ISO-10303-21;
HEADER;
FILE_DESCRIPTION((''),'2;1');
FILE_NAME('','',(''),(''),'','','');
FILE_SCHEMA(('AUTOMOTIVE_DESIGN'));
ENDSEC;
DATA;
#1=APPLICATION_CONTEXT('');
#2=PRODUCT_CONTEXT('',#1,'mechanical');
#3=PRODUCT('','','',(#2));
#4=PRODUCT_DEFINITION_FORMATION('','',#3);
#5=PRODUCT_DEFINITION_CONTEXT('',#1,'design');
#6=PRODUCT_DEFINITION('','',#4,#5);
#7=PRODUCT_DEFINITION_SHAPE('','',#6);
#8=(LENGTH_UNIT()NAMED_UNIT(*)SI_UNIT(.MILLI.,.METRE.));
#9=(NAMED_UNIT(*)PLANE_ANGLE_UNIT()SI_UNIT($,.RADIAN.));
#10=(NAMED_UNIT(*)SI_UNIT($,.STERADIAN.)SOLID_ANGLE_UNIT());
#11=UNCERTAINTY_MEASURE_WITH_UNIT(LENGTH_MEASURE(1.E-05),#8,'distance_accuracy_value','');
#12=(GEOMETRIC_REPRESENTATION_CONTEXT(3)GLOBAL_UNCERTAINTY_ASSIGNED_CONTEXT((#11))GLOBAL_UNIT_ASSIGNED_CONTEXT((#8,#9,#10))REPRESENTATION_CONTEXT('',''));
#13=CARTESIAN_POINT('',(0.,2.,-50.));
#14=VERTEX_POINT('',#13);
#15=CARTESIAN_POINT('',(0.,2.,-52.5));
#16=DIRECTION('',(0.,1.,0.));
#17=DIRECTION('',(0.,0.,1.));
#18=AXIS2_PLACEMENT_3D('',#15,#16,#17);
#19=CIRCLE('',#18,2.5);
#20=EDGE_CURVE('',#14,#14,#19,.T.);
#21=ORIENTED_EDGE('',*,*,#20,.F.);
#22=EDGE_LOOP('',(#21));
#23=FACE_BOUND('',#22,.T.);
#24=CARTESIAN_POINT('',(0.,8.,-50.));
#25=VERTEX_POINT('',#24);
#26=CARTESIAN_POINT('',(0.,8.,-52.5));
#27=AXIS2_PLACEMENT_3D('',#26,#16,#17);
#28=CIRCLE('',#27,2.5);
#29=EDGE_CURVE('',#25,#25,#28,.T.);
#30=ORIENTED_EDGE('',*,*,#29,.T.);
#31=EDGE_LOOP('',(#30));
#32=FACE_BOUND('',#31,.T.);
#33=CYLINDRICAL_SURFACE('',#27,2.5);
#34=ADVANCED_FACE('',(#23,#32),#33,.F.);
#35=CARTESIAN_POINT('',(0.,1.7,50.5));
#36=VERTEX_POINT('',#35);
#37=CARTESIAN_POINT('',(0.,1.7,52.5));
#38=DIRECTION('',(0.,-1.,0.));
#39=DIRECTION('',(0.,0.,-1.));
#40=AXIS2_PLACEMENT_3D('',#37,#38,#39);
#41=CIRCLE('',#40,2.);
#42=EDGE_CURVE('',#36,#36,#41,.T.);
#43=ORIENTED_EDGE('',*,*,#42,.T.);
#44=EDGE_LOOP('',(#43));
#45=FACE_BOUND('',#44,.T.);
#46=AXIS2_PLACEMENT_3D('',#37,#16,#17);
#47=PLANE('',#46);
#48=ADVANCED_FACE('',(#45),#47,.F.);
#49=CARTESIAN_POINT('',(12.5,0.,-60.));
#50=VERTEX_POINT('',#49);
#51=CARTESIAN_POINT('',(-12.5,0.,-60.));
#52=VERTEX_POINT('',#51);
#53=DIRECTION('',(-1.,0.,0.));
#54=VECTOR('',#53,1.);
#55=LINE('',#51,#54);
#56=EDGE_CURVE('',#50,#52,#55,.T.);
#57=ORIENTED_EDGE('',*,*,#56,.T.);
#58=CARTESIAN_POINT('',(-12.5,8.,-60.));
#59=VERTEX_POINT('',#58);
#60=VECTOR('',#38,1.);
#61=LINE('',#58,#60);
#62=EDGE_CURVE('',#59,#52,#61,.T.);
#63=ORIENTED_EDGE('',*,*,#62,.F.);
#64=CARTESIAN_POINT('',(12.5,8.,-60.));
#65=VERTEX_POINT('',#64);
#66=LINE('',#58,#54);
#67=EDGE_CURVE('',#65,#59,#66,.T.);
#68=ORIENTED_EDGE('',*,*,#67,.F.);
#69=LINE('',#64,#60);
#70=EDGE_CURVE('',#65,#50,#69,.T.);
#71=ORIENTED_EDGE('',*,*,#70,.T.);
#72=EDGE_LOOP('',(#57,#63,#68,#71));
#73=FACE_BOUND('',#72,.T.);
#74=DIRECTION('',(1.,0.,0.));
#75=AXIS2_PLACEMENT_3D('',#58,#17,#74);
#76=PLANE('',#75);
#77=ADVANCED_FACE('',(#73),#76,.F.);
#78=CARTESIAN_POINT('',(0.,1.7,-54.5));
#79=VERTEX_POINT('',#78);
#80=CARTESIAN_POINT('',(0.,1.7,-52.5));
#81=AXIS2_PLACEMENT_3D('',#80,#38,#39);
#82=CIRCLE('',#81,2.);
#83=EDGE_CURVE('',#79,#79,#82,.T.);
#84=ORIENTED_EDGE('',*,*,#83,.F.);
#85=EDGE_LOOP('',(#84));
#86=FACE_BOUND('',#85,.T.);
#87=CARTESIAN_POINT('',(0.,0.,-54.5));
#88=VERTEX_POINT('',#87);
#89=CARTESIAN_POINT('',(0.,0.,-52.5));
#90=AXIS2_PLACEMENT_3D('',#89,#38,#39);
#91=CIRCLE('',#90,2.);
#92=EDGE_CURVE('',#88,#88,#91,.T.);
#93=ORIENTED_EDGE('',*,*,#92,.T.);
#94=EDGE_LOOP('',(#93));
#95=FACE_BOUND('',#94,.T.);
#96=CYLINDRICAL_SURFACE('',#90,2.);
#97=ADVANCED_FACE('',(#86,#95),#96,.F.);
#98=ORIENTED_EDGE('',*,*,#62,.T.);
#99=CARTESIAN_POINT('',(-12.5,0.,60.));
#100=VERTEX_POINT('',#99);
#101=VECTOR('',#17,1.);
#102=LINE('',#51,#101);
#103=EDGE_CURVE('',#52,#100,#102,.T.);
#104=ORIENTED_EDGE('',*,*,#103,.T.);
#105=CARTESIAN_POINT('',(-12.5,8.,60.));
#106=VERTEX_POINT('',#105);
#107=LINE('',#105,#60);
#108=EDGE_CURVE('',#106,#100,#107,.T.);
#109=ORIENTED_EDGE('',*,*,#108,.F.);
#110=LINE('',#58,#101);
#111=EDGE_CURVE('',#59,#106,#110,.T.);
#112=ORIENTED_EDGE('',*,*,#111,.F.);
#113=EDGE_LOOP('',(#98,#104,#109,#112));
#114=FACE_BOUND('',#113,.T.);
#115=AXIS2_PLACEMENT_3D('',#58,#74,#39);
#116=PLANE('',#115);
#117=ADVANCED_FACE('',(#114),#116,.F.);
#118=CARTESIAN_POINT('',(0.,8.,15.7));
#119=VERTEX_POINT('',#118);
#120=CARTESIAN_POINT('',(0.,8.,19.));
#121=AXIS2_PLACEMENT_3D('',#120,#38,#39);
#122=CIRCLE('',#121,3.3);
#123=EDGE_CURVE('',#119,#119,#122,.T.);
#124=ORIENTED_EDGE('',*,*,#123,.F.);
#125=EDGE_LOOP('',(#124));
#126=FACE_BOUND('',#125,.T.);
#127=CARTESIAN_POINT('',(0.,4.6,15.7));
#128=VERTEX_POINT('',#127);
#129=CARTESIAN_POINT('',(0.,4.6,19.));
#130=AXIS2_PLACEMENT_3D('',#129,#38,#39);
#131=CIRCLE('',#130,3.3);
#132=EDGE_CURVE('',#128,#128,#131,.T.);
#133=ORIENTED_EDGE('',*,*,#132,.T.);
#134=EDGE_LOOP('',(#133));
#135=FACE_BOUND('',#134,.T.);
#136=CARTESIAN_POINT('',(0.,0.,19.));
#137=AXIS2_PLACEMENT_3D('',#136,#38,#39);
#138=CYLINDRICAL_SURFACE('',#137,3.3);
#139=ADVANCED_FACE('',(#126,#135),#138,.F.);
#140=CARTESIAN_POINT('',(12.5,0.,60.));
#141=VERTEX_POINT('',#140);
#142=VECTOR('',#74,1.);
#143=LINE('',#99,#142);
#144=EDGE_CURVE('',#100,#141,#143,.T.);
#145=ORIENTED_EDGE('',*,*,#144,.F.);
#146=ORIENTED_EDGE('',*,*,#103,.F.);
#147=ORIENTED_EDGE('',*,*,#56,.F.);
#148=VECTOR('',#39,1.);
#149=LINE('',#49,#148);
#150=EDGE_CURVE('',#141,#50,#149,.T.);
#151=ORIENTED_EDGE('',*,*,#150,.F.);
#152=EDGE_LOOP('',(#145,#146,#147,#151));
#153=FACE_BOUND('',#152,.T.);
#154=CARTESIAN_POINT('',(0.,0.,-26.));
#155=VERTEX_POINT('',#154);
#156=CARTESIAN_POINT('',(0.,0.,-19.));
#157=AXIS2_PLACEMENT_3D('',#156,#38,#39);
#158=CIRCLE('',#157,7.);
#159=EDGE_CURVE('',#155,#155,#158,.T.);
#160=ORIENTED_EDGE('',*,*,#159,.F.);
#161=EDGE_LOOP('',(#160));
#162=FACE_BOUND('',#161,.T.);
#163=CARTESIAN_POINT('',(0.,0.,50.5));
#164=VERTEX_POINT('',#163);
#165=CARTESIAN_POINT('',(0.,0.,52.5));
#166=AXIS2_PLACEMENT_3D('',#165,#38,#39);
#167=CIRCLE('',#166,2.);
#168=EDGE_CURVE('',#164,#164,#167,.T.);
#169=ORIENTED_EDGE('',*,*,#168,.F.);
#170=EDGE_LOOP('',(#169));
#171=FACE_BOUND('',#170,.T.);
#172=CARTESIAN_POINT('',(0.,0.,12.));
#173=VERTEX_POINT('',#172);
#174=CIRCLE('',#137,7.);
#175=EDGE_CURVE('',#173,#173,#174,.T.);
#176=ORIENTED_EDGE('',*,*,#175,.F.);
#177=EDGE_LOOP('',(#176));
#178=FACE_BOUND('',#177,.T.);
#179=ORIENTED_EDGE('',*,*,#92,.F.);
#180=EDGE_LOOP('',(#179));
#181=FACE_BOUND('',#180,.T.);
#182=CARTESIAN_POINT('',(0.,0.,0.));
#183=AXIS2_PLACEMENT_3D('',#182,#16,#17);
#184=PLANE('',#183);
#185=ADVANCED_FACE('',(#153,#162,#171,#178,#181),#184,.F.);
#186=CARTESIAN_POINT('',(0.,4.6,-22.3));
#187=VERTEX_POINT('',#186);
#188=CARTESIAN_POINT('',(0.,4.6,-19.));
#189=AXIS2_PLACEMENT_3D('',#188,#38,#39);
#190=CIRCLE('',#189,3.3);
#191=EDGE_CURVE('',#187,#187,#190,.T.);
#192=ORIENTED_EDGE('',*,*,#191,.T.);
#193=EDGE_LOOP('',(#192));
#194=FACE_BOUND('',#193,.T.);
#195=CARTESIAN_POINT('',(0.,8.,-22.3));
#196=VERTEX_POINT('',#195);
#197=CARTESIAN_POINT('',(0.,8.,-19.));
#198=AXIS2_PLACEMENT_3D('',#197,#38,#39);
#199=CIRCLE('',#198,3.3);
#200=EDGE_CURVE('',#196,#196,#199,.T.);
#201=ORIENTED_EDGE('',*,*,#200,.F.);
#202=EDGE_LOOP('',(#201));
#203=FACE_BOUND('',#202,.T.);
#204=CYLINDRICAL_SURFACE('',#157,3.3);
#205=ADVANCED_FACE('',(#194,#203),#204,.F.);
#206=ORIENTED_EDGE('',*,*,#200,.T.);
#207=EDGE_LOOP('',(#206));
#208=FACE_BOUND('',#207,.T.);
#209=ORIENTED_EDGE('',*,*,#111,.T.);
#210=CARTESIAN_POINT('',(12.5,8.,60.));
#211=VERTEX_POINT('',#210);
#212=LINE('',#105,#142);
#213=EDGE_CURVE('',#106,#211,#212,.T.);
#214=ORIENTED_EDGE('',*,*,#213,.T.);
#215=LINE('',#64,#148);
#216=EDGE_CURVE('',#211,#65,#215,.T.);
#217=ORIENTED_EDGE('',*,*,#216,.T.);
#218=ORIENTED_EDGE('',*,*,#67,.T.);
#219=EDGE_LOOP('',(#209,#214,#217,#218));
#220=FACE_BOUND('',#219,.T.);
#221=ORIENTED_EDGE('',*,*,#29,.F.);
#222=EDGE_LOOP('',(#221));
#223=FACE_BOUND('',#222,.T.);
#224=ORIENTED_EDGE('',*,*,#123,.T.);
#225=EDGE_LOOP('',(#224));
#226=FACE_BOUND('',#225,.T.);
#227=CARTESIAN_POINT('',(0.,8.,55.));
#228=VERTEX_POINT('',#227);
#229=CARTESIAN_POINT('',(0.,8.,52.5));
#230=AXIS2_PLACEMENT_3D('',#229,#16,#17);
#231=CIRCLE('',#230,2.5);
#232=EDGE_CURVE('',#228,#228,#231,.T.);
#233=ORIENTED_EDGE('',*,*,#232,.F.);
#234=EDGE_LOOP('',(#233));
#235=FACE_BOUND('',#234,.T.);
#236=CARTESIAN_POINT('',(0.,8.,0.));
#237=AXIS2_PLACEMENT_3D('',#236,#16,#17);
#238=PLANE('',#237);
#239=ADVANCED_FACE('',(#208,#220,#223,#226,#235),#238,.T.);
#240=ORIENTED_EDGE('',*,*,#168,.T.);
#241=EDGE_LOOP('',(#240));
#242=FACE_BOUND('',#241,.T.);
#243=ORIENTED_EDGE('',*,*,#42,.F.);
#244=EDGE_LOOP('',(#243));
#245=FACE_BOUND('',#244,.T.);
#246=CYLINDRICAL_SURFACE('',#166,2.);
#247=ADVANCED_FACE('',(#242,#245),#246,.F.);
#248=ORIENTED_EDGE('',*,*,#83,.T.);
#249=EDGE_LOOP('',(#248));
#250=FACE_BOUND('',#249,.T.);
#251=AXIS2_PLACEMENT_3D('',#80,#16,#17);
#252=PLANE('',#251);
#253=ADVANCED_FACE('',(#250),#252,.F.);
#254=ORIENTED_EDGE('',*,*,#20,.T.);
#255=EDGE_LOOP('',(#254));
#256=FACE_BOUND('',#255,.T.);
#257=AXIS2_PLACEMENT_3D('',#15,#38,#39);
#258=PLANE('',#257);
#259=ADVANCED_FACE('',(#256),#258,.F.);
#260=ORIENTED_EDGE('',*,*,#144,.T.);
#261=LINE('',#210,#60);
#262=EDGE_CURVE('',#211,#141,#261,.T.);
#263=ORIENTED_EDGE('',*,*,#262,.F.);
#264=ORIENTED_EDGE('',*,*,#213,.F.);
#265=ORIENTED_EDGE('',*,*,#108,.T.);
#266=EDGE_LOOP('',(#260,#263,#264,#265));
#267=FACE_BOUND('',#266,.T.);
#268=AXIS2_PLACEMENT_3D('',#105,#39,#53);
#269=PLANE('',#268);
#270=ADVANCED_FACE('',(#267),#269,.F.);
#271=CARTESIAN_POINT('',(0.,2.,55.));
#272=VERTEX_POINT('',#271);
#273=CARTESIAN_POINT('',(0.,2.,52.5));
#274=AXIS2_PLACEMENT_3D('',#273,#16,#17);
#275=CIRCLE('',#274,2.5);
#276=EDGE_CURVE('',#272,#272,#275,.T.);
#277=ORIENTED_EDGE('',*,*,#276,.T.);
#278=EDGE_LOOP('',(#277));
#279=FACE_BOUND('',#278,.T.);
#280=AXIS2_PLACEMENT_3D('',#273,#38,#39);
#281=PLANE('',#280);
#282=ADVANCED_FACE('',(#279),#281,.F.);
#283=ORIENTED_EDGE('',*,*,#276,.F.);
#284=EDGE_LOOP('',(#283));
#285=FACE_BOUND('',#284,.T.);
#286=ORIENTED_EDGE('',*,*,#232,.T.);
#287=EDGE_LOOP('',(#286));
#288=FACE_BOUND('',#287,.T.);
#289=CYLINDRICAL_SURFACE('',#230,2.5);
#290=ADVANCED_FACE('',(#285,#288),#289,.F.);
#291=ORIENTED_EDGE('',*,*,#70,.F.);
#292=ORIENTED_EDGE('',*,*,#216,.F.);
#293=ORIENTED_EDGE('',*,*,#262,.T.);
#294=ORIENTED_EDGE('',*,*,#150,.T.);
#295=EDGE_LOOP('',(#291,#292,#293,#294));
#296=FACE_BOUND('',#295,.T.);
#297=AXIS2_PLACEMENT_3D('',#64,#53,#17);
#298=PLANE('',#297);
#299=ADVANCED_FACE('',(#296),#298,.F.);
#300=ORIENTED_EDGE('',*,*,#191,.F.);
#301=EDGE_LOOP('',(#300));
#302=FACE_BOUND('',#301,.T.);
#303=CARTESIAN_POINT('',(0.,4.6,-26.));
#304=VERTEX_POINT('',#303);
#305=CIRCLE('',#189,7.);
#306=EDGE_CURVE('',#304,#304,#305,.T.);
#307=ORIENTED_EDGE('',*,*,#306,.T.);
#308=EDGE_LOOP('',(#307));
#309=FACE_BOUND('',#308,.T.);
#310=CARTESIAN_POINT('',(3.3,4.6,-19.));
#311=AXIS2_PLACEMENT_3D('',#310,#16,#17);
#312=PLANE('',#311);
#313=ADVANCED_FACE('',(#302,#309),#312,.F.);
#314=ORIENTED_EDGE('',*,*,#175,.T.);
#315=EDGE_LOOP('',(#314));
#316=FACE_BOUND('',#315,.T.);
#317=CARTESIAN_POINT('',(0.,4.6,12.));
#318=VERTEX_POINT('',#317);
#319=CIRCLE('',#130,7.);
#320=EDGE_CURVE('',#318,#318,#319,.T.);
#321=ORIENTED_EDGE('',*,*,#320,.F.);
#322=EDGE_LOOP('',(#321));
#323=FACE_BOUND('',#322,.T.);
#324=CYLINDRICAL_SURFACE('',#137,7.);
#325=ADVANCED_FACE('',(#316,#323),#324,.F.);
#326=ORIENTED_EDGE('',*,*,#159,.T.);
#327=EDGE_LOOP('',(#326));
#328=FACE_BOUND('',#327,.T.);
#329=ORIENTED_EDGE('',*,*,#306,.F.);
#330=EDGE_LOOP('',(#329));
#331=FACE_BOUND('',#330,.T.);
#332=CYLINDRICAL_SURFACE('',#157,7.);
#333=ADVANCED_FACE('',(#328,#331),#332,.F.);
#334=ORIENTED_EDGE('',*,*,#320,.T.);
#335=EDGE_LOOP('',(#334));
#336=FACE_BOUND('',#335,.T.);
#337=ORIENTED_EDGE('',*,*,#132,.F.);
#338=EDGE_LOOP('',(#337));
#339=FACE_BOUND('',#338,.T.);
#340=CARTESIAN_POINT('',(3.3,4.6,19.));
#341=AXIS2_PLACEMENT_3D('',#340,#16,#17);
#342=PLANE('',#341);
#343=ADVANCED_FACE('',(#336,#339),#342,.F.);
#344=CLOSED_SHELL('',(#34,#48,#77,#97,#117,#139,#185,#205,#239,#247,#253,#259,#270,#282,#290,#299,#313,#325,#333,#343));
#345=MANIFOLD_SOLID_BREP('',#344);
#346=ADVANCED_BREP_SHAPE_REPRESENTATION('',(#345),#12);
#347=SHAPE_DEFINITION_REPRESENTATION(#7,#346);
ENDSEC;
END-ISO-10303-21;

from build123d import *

# Parameters (mm, degrees)
SKICA1_W                                          = 25
SKICA1_H                                          = 120
P_IDAT_VYSUNUT_M1_DEPTH                           = 8
D_RY_PRO_KOL_K_VELIKOST_MM2_D                     = 5
D_RY_PRO_KOL_K_VELIKOST_MM2_DEPTH                 = 6
D_RY_PRO_KOL_K_VELIKOST_MM2_2_D                   = 4
D_RY_PRO_KOL_K_VELIKOST_MM2_2_DEPTH               = 1.7
V_LCOV_ZAHLOUBEN_PRO_M6_ROUBY_S_V_LCO_D           = 6.6
V_LCOV_ZAHLOUBEN_PRO_M6_ROUBY_S_V_LCO_CBORE_D     = 14
V_LCOV_ZAHLOUBEN_PRO_M6_ROUBY_S_V_LCO_CBORE_DEPTH = 4.6


with BuildPart() as part:
    # Skica1 → Přidat vysunutím1 (new body)
    with BuildSketch(Plane(origin=(0, 0, 0), x_dir=(1, 0, 0), z_dir=(0, 1, 0))):
        Rectangle(SKICA1_W, SKICA1_H)
    extrude(amount=P_IDAT_VYSUNUT_M1_DEPTH)

    # D_ry pro kol_k_ velikost mm2
    with Locations(Plane(origin=(0, 8, 0), x_dir=(1, 0, 0), z_dir=(0, 1, 0))):
        with Locations((0, -52.5), (0, 52.5)):
            Hole(D_RY_PRO_KOL_K_VELIKOST_MM2_D / 2, depth=D_RY_PRO_KOL_K_VELIKOST_MM2_DEPTH)

    # D_ry pro kol_k_ velikost mm2 2
    with Locations(Plane(origin=(0, 0, 0), x_dir=(-1, 0, 0), z_dir=(0, -1, 0))):
        with Locations((0, -52.5), (0, 52.5)):
            Hole(D_RY_PRO_KOL_K_VELIKOST_MM2_2_D / 2, depth=D_RY_PRO_KOL_K_VELIKOST_MM2_2_DEPTH)

    # Válcové zahloubení pro M6 šrouby s válcovou hlavou zaoblenou1 (through all)
    with Locations(Plane(origin=(0, 0, 0), x_dir=(-1, 0, 0), z_dir=(0, -1, 0))):
        with Locations((0, -19), (0, 19)):
            CounterBoreHole(V_LCOV_ZAHLOUBEN_PRO_M6_ROUBY_S_V_LCO_D / 2, V_LCOV_ZAHLOUBEN_PRO_M6_ROUBY_S_V_LCO_CBORE_D / 2, V_LCOV_ZAHLOUBEN_PRO_M6_ROUBY_S_V_LCO_CBORE_DEPTH)


solid = part.part
